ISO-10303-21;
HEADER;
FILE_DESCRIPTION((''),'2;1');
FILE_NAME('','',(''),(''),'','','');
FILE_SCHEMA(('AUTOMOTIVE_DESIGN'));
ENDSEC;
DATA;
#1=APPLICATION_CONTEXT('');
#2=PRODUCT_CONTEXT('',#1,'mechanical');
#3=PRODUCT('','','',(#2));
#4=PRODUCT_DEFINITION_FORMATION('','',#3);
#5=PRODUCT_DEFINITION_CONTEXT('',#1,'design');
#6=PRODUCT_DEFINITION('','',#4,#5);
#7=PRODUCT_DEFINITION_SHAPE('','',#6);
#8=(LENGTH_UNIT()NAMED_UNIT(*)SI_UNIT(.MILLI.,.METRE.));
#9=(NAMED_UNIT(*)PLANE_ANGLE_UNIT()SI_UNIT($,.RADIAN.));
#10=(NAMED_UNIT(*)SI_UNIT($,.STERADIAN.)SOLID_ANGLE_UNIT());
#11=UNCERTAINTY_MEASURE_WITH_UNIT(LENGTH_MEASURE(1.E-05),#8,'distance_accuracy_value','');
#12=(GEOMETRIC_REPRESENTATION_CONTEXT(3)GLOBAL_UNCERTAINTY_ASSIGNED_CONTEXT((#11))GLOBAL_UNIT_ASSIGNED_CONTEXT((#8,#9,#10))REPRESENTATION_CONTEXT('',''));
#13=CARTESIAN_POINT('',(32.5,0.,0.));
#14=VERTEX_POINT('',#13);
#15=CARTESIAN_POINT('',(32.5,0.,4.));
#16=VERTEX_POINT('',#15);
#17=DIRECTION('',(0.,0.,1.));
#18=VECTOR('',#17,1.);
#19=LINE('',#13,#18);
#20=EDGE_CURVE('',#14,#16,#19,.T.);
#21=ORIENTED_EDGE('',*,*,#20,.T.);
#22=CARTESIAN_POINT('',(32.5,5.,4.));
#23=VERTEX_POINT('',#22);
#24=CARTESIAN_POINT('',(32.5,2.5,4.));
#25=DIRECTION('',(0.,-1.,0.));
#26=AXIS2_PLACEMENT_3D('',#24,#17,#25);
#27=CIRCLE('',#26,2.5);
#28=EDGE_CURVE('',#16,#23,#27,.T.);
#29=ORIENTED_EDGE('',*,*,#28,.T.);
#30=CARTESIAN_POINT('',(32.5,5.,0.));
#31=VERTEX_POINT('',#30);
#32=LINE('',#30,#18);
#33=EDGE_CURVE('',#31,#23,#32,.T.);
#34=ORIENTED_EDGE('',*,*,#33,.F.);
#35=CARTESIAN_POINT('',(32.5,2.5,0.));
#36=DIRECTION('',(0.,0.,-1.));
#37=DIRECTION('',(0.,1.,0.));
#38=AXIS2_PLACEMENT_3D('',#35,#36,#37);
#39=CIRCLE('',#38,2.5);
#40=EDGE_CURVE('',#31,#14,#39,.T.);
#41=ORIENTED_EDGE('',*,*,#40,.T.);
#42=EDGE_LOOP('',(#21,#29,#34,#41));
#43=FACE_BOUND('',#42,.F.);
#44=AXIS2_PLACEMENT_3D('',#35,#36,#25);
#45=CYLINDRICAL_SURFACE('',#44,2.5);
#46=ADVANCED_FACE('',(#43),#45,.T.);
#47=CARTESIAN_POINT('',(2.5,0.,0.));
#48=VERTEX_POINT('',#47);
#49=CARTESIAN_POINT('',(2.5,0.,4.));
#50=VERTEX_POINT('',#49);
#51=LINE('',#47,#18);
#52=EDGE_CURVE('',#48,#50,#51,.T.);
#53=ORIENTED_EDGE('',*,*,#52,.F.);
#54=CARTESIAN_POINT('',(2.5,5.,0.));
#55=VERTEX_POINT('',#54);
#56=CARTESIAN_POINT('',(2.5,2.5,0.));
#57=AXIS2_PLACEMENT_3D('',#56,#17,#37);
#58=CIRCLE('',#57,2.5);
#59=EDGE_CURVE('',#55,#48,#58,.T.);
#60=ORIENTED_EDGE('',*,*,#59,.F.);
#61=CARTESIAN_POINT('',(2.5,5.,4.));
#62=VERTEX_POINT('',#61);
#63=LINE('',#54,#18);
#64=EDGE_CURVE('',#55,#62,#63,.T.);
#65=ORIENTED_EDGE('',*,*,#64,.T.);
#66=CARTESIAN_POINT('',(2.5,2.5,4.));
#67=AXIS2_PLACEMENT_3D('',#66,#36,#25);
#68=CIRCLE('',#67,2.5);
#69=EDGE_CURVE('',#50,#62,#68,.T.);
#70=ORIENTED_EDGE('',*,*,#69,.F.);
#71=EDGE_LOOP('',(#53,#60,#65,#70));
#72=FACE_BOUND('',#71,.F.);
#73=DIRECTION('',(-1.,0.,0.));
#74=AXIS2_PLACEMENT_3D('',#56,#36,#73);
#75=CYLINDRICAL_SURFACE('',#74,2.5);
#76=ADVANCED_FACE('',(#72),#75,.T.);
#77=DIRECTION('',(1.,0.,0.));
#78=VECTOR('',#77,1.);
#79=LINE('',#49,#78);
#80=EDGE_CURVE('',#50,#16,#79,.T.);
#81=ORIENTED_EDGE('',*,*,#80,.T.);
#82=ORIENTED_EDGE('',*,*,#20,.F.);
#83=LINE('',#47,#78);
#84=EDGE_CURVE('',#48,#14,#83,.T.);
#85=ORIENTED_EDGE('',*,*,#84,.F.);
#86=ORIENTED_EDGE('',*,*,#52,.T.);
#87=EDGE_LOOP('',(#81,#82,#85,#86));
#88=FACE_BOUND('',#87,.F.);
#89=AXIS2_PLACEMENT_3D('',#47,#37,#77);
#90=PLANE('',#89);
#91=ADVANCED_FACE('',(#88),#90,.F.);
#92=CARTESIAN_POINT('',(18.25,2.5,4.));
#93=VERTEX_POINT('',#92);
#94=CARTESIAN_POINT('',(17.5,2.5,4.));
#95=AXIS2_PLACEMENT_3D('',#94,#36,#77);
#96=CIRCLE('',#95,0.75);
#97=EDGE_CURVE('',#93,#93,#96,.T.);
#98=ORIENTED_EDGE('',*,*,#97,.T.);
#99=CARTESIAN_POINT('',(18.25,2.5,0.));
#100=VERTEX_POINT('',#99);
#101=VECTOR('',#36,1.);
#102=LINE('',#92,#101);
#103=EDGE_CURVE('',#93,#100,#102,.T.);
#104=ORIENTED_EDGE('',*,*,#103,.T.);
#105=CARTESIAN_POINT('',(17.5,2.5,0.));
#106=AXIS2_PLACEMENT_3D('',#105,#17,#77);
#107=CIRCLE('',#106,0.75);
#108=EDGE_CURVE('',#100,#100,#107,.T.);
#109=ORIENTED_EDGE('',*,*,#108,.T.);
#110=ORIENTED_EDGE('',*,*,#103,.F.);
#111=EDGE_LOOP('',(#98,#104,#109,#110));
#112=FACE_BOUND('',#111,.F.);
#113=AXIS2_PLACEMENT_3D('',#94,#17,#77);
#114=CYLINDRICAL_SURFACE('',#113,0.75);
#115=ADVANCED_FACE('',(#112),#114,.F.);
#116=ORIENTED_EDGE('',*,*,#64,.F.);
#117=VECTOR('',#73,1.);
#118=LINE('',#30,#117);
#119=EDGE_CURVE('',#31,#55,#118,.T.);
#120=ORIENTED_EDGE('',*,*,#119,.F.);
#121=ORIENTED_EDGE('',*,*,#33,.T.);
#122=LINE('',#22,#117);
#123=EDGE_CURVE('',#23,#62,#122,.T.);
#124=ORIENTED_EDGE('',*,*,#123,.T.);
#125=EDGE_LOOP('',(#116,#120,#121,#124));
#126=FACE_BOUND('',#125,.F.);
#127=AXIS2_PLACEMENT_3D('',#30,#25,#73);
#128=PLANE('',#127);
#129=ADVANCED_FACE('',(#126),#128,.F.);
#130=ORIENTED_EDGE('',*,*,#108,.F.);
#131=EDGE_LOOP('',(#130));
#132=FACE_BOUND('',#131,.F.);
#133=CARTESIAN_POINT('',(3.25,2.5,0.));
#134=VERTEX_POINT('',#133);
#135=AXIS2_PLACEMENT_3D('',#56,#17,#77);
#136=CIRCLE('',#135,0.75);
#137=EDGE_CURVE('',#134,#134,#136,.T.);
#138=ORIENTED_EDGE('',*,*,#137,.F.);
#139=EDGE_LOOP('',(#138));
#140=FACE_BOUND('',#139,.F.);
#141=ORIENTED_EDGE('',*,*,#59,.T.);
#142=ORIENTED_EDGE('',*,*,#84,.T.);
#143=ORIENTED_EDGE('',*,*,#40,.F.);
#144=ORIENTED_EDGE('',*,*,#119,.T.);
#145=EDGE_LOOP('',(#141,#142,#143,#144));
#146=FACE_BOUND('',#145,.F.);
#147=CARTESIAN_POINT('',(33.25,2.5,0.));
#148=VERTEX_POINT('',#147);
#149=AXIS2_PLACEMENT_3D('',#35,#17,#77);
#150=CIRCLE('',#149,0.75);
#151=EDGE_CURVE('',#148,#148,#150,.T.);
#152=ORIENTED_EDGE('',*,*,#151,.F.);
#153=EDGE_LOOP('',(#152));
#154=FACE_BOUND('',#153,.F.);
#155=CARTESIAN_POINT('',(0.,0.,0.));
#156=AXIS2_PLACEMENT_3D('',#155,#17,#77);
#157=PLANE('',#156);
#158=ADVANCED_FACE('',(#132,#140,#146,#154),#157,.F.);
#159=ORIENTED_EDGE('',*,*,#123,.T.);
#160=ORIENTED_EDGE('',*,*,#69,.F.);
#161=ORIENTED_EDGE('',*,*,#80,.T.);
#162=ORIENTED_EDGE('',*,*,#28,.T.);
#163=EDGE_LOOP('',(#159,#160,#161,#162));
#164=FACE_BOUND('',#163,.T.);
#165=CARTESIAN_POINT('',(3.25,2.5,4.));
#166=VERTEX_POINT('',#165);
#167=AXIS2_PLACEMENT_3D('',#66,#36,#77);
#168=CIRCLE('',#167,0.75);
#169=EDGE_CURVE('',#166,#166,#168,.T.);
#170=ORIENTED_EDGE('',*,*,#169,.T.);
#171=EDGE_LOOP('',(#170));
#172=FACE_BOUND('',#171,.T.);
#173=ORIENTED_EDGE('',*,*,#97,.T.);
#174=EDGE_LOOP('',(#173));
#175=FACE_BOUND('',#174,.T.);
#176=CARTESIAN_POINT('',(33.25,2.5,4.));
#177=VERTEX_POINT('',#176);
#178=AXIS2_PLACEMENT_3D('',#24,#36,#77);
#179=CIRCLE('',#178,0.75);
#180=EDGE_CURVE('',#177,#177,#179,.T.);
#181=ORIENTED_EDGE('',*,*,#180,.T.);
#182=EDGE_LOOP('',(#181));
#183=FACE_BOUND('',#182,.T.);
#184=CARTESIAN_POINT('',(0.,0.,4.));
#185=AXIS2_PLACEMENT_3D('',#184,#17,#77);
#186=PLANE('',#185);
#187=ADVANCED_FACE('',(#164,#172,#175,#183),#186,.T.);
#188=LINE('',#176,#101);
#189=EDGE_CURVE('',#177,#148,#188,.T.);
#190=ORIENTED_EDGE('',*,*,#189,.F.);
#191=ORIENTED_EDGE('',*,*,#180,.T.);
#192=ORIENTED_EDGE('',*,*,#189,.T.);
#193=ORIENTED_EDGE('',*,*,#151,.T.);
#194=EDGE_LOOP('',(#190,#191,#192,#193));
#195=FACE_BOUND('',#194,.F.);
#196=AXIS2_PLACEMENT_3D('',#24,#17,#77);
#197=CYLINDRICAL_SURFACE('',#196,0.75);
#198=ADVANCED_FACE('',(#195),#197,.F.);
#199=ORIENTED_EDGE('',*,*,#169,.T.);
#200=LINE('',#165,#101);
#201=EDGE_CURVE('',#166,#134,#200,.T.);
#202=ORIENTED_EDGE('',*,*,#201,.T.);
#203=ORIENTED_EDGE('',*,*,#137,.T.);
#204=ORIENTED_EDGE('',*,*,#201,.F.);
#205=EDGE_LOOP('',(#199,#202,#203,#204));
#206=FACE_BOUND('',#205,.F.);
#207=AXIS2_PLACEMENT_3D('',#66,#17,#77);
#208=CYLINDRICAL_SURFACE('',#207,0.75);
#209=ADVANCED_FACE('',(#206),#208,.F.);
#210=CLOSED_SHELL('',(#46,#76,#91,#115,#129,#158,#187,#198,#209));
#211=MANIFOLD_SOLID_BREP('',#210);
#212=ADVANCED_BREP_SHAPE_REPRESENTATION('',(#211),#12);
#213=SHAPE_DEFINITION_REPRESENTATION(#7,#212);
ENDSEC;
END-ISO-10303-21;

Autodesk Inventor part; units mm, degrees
ref_plane "YZ Plane" through (0, 0, 0) normal (1, 0, 0) x (0, 1, 0)
ref_plane "XZ Plane" through (0, 0, 0) normal (0, 1, 0) x (-1, 0, 0)
ref_plane "XY Plane" through (0, 0, 0) normal (0, 0, 1) x (1, 0, 0)
sketch "Skizze1" plane through (0, 0, 0) normal (0, 0, 1) x (1, 0, 0)
  line L0 (2.5, 0) -> (32.5, 0)
  line L1 (35, 2.5) -> (35, 2.5)
  line L2 (32.5, 5) -> (2.5, 5)
  line L3 (0, 2.5) -> (0, 2.5)
  arc A0 (2.5, 5) -> (0, 2.5) centre (2.5, 2.5) ccw
  arc A1 (0, 2.5) -> (2.5, 0) centre (2.5, 2.5) ccw
  arc A2 (35, 2.5) -> (32.5, 5) centre (32.5, 2.5) ccw
  arc A3 (32.5, 0) -> (35, 2.5) centre (32.5, 2.5) ccw
  point P0 (0, 0)
  point P1 (35, 5)
  point P2 (35, 0)
  point P3 (0, 5)
  dimension "d0" = 35
  dimension "d1" = 5
  dimension "d14" = 2.5
extrude "Extrusion1" add sketch "Skizze1" along normal blind 4
sketch "Skizze2" plane through (0, 0, 4) normal (0, 0, 1) x (1, 0, 0)
  line L0 (0, 0) -> (32.5, 0) projected
  line L1 (0, 0) -> (2.5, 0)
  line L2 (2.5, 0) -> (0, 0)
  line L3 (2.5, 0) -> (2.5, 2.5)
  circle A0 centre (2.5, 2.5) radius 0.75
  line L4 (35, 0) -> (32.5, 0)
  line L5 (32.5, 0) -> (32.5, 2.5)
  circle A1 centre (32.5, 2.5) radius 0.75
  line L6 (0, 0) -> (17.5, 0)
  line L7 (17.5, 0) -> (17.5, 2.5)
  circle A2 centre (17.5, 2.5) radius 0.75
  dimension "d4" = 2.5
  dimension "d5" = 2.5
  dimension "d6" = 2.5
  dimension "d7" = 1.5
  dimension "d8" = 2.5
  dimension "d9" = 17.5
  dimension "d10" = 1.5
  dimension "d11" = 1.5
  dimension "d15" = 2.5
  dimension "d16" = 2.5
extrude "Extrusion2" cut sketch "Skizze2" against normal blind 5
properties part number "Hebel_KLemme_Hebel"
